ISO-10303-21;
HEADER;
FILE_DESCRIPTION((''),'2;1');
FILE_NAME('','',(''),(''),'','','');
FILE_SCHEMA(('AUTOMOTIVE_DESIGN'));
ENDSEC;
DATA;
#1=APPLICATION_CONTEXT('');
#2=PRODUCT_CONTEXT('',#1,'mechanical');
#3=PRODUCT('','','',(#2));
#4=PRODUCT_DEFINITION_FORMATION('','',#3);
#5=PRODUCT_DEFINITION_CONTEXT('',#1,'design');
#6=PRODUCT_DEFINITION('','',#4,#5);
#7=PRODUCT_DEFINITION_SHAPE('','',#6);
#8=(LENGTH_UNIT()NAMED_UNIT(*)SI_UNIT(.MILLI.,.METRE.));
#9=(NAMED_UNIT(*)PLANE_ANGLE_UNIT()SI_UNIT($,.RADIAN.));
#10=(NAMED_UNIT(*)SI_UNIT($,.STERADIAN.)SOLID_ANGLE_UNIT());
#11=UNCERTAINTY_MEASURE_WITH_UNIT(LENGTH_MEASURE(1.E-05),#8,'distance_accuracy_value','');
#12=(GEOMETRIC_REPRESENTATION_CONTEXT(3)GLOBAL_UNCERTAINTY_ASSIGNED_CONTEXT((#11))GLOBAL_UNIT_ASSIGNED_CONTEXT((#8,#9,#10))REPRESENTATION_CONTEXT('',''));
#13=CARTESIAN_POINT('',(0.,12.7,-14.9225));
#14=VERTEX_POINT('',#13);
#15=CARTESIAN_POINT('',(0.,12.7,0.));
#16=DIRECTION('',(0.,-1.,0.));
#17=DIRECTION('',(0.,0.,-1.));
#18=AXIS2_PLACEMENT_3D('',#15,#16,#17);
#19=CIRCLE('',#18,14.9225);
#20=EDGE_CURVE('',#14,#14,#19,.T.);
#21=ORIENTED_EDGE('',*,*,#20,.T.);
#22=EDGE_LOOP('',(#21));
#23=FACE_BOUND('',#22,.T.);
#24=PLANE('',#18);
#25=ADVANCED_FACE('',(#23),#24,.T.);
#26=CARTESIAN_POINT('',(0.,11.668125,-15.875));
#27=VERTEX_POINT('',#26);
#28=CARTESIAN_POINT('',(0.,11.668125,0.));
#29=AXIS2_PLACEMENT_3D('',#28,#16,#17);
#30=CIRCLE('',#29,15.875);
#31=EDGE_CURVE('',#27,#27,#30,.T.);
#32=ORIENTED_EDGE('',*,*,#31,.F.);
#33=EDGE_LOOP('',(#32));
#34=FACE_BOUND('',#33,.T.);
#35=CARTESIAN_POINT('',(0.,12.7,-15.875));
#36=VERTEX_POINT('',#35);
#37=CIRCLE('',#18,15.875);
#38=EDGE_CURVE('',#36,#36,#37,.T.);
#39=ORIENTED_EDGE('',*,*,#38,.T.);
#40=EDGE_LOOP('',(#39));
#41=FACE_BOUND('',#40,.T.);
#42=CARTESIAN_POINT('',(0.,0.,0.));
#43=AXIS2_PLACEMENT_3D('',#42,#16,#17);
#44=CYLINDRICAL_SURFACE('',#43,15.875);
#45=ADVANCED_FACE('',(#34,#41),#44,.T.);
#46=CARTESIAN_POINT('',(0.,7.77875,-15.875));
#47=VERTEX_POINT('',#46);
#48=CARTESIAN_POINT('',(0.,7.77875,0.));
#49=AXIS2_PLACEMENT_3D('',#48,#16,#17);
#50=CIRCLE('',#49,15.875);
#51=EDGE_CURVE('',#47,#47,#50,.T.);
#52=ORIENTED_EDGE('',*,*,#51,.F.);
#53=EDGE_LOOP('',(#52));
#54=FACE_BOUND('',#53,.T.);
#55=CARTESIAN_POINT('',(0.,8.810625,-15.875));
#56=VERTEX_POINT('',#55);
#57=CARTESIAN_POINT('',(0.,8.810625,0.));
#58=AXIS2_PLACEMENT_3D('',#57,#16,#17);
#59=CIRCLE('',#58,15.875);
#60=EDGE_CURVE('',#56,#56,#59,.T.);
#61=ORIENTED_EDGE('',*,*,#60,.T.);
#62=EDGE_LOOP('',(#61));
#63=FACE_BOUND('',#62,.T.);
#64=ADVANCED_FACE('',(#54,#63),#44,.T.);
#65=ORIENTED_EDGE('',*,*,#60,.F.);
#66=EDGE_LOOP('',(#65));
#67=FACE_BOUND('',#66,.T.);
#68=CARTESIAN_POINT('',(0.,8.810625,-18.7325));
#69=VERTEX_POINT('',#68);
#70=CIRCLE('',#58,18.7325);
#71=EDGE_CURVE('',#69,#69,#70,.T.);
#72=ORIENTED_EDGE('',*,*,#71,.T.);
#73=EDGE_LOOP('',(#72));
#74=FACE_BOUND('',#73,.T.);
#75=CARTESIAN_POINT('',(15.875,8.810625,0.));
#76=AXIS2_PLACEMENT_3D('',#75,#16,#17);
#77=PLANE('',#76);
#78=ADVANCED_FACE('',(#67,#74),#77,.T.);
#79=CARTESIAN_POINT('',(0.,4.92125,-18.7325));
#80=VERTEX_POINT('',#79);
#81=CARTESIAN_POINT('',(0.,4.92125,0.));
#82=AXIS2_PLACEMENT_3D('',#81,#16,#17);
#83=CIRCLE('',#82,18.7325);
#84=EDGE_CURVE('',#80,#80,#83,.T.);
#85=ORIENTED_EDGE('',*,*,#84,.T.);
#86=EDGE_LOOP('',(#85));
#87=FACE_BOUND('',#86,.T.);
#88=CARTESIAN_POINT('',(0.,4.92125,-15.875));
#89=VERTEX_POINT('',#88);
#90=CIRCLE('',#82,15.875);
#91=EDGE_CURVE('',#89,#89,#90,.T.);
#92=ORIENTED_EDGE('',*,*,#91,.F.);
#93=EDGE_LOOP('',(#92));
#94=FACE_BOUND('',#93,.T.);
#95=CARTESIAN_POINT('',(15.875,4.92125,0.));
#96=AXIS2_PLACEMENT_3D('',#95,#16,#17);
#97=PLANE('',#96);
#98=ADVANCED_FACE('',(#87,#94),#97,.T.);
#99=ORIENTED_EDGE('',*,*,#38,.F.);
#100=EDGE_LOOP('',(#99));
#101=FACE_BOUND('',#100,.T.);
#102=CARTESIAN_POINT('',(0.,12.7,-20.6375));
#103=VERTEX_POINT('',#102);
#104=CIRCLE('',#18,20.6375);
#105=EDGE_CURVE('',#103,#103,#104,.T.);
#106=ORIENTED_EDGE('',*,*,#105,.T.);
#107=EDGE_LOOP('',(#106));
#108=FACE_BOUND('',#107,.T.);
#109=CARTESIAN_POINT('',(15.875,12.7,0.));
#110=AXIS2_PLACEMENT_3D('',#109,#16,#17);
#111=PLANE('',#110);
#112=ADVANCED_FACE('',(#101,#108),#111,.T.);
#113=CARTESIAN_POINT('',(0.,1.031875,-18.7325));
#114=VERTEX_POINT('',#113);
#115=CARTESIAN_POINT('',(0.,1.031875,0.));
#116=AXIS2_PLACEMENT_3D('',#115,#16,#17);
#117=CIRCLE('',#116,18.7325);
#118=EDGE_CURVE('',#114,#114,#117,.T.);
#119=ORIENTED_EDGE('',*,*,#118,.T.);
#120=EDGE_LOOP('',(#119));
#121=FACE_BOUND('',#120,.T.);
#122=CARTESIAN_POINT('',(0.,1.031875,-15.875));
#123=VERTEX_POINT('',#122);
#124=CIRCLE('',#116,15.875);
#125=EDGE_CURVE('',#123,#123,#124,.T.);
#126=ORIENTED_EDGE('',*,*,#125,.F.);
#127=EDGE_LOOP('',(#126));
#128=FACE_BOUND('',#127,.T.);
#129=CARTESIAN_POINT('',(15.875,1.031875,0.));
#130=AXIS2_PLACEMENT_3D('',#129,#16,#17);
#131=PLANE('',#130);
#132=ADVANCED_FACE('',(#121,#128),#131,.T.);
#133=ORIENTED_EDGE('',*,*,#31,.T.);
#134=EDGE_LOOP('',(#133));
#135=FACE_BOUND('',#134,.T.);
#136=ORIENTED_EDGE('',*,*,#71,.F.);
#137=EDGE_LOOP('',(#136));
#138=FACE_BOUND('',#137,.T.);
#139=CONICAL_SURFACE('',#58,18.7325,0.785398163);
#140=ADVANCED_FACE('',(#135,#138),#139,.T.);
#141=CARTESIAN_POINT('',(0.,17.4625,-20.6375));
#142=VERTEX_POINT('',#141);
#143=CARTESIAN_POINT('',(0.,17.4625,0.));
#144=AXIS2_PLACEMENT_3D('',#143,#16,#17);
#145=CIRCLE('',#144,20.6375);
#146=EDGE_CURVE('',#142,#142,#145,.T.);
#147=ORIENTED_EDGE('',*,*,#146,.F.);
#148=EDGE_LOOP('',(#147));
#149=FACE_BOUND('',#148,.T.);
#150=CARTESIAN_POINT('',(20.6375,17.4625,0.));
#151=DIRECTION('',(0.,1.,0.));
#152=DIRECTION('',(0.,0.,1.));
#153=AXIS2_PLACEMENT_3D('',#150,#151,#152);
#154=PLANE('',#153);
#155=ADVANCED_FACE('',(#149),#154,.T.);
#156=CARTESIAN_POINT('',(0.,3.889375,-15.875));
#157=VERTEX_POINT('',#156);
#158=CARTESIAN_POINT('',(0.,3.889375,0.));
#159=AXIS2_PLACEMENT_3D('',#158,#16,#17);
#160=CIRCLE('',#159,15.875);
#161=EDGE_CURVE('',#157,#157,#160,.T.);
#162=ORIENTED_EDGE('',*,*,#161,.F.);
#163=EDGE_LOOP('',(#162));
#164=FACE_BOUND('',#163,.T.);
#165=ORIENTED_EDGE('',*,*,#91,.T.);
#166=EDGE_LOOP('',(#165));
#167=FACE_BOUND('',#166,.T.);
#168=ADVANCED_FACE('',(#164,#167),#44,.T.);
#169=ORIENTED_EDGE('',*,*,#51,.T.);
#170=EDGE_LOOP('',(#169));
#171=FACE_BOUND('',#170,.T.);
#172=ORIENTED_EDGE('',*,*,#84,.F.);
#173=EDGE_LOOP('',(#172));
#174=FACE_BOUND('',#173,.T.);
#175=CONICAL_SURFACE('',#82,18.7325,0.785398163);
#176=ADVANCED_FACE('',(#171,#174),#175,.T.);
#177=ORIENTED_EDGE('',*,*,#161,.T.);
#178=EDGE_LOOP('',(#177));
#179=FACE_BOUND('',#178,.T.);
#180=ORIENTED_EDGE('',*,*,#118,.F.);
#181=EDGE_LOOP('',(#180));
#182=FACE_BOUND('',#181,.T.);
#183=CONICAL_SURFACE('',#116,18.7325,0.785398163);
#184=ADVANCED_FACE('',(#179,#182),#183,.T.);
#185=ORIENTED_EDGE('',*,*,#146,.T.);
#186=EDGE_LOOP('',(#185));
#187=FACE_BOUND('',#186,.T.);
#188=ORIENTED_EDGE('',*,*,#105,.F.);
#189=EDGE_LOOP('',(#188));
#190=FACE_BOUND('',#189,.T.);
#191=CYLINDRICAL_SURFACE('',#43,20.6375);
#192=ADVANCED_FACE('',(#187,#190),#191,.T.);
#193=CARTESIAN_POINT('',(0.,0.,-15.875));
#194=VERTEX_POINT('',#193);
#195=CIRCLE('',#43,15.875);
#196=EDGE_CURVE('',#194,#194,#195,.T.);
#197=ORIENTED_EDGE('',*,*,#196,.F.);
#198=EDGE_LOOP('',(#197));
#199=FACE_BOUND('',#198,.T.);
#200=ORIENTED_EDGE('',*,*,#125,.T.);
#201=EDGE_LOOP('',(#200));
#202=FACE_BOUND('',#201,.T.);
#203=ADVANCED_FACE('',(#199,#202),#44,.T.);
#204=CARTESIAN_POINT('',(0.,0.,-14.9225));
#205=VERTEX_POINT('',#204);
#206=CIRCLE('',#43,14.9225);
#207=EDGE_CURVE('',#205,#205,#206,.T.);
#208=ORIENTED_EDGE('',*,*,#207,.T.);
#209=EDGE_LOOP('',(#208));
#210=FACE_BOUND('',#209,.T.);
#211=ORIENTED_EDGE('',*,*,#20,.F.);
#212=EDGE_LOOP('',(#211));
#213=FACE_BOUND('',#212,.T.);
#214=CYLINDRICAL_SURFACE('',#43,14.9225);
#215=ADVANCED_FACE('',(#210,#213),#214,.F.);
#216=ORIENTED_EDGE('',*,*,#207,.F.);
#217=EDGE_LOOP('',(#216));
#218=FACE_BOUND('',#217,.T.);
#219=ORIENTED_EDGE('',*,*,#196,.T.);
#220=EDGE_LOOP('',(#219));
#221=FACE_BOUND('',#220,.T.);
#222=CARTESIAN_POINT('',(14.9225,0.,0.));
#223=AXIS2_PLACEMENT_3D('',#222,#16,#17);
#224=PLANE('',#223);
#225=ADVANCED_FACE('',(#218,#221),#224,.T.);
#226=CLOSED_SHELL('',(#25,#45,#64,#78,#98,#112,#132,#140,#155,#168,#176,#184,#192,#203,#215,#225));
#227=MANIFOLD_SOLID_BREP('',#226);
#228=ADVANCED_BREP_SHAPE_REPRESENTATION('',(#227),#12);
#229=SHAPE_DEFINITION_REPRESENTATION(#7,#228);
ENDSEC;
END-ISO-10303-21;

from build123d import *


with BuildPart() as part:
    # Sketch1 → Revolve1 (revolve)
    with BuildSketch(Plane.XY, mode=Mode.PRIVATE) as revolve1_sk:
        Polygon((15.875, 0), (15.875, 1.031875), (18.7325, 1.031875), (15.875, 3.889375), (15.875, 4.92125), (18.7325, 4.92125), (15.875, 7.77875), (15.875, 8.810625), (18.7325, 8.810625), (15.875, 11.668125), (15.875, 12.7), (20.6375, 12.7), (20.6375, 17.4625), (0, 17.4625), (0, 12.7), (14.9225, 12.7), (14.9225, 0), align=None)
    revolve(revolve1_sk.sketch.rotate(Axis((0, 0, 0), (0, 1, 0)), 90), axis=Axis((0, 0, 0), (0, 1, 0)))


solid = part.part
